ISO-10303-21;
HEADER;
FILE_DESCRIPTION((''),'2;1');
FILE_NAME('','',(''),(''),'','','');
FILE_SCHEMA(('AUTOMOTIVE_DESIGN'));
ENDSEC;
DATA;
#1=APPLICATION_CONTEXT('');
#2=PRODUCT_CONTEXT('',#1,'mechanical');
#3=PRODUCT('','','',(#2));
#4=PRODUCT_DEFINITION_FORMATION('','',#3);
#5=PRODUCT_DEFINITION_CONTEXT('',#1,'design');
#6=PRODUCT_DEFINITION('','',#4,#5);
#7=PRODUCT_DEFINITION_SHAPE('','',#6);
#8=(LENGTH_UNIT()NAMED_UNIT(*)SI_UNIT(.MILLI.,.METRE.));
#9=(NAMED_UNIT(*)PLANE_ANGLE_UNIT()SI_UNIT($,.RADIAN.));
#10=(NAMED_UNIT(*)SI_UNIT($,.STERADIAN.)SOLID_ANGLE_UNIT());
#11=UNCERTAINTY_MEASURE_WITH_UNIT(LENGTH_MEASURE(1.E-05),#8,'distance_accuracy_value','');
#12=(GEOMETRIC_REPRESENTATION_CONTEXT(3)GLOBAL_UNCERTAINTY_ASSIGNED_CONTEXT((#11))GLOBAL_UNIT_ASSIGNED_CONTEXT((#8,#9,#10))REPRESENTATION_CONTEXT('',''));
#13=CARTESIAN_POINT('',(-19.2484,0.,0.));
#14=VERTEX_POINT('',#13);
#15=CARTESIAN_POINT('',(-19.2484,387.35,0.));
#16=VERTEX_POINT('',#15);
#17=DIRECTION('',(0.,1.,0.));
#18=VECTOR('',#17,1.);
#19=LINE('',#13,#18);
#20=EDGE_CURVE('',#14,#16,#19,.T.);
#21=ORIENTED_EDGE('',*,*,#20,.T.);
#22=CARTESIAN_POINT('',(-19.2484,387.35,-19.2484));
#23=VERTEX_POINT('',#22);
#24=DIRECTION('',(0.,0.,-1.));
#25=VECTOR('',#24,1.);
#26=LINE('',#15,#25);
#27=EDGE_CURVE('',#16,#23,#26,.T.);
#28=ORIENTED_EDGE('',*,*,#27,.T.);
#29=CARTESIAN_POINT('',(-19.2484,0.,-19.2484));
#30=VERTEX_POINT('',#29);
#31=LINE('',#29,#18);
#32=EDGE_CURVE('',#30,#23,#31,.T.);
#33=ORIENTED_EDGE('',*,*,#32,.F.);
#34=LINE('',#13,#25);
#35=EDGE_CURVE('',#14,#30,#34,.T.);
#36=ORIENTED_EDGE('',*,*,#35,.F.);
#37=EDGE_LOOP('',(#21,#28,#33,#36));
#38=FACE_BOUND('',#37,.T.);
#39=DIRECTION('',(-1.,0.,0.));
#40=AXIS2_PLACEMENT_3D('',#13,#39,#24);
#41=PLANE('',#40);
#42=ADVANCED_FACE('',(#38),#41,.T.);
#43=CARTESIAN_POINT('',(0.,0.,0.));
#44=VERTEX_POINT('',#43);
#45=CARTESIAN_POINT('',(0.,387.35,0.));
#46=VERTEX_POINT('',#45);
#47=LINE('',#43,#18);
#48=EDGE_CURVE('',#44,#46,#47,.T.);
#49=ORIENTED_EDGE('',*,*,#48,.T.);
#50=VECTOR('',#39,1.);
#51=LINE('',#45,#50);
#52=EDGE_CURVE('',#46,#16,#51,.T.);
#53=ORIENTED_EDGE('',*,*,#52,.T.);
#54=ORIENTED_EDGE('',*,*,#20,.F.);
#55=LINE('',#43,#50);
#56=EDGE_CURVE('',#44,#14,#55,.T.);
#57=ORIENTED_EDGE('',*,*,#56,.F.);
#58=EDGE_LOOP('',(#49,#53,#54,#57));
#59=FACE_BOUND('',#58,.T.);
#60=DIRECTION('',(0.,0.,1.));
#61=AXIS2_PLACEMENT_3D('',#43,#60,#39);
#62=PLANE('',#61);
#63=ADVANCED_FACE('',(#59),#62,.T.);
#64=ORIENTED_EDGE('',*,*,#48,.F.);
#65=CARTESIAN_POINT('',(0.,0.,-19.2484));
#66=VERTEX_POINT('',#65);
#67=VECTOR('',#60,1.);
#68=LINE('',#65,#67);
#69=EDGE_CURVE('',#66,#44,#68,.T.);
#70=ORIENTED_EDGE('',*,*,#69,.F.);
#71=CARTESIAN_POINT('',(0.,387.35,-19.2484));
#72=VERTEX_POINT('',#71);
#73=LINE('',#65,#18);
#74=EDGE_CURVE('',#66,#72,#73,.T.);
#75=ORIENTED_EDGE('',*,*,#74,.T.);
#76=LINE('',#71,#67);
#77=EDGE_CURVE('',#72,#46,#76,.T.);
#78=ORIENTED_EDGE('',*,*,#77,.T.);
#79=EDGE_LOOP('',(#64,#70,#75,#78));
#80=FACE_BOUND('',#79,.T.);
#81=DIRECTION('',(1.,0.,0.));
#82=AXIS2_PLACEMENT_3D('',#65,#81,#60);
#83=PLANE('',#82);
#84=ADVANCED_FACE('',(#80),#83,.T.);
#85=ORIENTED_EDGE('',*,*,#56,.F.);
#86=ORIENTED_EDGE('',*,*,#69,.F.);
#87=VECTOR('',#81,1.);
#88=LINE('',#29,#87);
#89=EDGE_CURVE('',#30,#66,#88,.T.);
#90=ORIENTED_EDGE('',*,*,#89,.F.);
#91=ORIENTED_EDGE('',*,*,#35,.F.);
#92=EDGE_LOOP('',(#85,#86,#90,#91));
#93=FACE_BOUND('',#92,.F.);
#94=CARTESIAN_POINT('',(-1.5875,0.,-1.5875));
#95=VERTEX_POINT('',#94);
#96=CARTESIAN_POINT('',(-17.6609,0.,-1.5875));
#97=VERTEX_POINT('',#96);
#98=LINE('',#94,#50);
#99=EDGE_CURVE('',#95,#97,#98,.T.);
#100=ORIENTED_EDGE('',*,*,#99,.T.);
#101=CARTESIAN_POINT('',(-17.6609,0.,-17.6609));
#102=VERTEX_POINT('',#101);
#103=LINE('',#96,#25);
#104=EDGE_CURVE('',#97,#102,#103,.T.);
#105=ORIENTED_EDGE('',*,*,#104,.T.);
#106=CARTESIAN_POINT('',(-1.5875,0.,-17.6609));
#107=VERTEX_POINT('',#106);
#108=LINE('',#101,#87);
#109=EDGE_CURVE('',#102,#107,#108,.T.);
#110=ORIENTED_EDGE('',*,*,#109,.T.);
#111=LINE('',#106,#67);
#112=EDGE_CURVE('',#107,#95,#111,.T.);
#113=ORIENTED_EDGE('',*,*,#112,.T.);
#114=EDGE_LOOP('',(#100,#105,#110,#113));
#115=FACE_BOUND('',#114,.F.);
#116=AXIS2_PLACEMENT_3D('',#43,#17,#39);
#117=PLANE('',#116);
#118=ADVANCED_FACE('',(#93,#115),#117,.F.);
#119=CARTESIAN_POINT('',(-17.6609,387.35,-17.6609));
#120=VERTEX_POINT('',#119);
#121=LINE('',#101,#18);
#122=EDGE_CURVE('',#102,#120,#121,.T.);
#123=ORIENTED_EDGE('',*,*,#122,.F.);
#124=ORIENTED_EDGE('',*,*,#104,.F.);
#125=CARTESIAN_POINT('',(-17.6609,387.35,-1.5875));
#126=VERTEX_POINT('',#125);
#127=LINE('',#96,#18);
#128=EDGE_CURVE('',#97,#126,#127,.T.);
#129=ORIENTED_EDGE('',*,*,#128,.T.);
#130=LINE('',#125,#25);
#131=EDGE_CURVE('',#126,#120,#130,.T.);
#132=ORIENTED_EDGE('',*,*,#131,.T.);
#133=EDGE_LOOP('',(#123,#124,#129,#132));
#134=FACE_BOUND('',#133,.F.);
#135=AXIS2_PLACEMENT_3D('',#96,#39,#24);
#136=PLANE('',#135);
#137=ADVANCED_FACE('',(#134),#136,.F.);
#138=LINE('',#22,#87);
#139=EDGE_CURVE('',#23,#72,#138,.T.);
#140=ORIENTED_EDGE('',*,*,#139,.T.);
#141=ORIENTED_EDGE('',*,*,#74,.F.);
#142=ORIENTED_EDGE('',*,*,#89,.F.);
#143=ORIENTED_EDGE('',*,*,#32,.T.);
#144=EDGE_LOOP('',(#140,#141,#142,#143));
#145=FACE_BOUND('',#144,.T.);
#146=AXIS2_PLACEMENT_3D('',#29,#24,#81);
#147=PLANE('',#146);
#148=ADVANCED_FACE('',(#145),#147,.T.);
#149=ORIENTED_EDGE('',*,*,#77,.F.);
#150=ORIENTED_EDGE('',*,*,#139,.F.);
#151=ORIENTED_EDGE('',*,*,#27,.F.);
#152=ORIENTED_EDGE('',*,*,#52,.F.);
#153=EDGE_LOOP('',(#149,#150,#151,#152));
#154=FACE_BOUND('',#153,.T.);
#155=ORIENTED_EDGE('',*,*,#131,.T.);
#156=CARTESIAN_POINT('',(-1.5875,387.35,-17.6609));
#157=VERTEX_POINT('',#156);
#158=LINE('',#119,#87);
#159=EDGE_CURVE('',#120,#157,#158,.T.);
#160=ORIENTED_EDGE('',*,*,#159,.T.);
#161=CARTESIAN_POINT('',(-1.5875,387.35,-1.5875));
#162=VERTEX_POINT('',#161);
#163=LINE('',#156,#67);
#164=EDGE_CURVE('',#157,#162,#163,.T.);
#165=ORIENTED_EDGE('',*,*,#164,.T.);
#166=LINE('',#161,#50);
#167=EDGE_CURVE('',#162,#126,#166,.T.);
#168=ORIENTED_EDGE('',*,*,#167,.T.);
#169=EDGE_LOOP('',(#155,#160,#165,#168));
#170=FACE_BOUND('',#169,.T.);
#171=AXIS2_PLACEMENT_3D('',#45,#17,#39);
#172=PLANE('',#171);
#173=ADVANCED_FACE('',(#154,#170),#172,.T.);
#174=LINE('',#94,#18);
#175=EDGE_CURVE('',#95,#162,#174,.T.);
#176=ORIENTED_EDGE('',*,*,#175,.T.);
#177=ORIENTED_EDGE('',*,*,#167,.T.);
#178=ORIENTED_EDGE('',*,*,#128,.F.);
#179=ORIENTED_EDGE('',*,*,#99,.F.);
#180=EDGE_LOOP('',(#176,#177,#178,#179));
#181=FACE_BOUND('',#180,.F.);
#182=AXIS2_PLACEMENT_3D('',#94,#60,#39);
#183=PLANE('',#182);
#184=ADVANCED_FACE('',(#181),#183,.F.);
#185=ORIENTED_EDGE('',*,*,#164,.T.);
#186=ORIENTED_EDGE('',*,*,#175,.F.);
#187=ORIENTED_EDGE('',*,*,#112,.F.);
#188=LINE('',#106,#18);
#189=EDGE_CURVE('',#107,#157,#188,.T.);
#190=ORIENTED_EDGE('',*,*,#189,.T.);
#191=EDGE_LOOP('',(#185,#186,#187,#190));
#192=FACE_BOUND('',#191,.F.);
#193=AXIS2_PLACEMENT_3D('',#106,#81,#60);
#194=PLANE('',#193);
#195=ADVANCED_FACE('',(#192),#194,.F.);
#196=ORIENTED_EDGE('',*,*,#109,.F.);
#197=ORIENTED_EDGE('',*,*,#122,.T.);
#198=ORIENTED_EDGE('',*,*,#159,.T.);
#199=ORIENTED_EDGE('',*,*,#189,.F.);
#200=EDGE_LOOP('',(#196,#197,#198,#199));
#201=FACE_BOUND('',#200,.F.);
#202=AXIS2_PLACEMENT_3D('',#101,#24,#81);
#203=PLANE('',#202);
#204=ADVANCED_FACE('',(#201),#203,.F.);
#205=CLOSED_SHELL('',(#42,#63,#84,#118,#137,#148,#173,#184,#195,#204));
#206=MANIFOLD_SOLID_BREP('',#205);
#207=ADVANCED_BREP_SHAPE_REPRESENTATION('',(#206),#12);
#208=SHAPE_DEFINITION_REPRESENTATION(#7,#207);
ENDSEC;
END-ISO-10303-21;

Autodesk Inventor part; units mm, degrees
ref_plane "YZ Plane" through (0, 0, 0) normal (1, 0, 0) x (0, 1, 0)
ref_plane "XZ Plane" through (0, 0, 0) normal (0, 1, 0) x (-1, 0, 0)
ref_plane "XY Plane" through (0, 0, 0) normal (0, 0, 1) x (1, 0, 0)
sketch "Sketch1" plane through (0, 0, 0) normal (0, 1, 0) x (-1, 0, 0)
  line L0 (0, 0) -> (19.2484, 0)
  line L1 (19.2484, 0) -> (19.2484, -19.2484)
  line L2 (19.2484, -19.2484) -> (0, -19.2484)
  line L3 (0, -19.2484) -> (0, 0)
  line L4 (1.5875, -1.5875) -> (17.6609, -1.5875)
  line L5 (17.6609, -1.5875) -> (17.6609, -17.6609)
  line L6 (17.6609, -17.6609) -> (1.5875, -17.6609)
  line L7 (1.5875, -17.6609) -> (1.5875, -1.5875)
  dimension "d0" = 16.0734
  dimension "d1" = 1.5875
  dimension "d2" = 1.5875
  dimension "d3" = 1.5875
  dimension "d4" = 1.5875
  dimension "d5" = 16.0734
extrude "Extrusion1" add sketch "Sketch1" along normal blind 387.35
properties part number "Main upright"
